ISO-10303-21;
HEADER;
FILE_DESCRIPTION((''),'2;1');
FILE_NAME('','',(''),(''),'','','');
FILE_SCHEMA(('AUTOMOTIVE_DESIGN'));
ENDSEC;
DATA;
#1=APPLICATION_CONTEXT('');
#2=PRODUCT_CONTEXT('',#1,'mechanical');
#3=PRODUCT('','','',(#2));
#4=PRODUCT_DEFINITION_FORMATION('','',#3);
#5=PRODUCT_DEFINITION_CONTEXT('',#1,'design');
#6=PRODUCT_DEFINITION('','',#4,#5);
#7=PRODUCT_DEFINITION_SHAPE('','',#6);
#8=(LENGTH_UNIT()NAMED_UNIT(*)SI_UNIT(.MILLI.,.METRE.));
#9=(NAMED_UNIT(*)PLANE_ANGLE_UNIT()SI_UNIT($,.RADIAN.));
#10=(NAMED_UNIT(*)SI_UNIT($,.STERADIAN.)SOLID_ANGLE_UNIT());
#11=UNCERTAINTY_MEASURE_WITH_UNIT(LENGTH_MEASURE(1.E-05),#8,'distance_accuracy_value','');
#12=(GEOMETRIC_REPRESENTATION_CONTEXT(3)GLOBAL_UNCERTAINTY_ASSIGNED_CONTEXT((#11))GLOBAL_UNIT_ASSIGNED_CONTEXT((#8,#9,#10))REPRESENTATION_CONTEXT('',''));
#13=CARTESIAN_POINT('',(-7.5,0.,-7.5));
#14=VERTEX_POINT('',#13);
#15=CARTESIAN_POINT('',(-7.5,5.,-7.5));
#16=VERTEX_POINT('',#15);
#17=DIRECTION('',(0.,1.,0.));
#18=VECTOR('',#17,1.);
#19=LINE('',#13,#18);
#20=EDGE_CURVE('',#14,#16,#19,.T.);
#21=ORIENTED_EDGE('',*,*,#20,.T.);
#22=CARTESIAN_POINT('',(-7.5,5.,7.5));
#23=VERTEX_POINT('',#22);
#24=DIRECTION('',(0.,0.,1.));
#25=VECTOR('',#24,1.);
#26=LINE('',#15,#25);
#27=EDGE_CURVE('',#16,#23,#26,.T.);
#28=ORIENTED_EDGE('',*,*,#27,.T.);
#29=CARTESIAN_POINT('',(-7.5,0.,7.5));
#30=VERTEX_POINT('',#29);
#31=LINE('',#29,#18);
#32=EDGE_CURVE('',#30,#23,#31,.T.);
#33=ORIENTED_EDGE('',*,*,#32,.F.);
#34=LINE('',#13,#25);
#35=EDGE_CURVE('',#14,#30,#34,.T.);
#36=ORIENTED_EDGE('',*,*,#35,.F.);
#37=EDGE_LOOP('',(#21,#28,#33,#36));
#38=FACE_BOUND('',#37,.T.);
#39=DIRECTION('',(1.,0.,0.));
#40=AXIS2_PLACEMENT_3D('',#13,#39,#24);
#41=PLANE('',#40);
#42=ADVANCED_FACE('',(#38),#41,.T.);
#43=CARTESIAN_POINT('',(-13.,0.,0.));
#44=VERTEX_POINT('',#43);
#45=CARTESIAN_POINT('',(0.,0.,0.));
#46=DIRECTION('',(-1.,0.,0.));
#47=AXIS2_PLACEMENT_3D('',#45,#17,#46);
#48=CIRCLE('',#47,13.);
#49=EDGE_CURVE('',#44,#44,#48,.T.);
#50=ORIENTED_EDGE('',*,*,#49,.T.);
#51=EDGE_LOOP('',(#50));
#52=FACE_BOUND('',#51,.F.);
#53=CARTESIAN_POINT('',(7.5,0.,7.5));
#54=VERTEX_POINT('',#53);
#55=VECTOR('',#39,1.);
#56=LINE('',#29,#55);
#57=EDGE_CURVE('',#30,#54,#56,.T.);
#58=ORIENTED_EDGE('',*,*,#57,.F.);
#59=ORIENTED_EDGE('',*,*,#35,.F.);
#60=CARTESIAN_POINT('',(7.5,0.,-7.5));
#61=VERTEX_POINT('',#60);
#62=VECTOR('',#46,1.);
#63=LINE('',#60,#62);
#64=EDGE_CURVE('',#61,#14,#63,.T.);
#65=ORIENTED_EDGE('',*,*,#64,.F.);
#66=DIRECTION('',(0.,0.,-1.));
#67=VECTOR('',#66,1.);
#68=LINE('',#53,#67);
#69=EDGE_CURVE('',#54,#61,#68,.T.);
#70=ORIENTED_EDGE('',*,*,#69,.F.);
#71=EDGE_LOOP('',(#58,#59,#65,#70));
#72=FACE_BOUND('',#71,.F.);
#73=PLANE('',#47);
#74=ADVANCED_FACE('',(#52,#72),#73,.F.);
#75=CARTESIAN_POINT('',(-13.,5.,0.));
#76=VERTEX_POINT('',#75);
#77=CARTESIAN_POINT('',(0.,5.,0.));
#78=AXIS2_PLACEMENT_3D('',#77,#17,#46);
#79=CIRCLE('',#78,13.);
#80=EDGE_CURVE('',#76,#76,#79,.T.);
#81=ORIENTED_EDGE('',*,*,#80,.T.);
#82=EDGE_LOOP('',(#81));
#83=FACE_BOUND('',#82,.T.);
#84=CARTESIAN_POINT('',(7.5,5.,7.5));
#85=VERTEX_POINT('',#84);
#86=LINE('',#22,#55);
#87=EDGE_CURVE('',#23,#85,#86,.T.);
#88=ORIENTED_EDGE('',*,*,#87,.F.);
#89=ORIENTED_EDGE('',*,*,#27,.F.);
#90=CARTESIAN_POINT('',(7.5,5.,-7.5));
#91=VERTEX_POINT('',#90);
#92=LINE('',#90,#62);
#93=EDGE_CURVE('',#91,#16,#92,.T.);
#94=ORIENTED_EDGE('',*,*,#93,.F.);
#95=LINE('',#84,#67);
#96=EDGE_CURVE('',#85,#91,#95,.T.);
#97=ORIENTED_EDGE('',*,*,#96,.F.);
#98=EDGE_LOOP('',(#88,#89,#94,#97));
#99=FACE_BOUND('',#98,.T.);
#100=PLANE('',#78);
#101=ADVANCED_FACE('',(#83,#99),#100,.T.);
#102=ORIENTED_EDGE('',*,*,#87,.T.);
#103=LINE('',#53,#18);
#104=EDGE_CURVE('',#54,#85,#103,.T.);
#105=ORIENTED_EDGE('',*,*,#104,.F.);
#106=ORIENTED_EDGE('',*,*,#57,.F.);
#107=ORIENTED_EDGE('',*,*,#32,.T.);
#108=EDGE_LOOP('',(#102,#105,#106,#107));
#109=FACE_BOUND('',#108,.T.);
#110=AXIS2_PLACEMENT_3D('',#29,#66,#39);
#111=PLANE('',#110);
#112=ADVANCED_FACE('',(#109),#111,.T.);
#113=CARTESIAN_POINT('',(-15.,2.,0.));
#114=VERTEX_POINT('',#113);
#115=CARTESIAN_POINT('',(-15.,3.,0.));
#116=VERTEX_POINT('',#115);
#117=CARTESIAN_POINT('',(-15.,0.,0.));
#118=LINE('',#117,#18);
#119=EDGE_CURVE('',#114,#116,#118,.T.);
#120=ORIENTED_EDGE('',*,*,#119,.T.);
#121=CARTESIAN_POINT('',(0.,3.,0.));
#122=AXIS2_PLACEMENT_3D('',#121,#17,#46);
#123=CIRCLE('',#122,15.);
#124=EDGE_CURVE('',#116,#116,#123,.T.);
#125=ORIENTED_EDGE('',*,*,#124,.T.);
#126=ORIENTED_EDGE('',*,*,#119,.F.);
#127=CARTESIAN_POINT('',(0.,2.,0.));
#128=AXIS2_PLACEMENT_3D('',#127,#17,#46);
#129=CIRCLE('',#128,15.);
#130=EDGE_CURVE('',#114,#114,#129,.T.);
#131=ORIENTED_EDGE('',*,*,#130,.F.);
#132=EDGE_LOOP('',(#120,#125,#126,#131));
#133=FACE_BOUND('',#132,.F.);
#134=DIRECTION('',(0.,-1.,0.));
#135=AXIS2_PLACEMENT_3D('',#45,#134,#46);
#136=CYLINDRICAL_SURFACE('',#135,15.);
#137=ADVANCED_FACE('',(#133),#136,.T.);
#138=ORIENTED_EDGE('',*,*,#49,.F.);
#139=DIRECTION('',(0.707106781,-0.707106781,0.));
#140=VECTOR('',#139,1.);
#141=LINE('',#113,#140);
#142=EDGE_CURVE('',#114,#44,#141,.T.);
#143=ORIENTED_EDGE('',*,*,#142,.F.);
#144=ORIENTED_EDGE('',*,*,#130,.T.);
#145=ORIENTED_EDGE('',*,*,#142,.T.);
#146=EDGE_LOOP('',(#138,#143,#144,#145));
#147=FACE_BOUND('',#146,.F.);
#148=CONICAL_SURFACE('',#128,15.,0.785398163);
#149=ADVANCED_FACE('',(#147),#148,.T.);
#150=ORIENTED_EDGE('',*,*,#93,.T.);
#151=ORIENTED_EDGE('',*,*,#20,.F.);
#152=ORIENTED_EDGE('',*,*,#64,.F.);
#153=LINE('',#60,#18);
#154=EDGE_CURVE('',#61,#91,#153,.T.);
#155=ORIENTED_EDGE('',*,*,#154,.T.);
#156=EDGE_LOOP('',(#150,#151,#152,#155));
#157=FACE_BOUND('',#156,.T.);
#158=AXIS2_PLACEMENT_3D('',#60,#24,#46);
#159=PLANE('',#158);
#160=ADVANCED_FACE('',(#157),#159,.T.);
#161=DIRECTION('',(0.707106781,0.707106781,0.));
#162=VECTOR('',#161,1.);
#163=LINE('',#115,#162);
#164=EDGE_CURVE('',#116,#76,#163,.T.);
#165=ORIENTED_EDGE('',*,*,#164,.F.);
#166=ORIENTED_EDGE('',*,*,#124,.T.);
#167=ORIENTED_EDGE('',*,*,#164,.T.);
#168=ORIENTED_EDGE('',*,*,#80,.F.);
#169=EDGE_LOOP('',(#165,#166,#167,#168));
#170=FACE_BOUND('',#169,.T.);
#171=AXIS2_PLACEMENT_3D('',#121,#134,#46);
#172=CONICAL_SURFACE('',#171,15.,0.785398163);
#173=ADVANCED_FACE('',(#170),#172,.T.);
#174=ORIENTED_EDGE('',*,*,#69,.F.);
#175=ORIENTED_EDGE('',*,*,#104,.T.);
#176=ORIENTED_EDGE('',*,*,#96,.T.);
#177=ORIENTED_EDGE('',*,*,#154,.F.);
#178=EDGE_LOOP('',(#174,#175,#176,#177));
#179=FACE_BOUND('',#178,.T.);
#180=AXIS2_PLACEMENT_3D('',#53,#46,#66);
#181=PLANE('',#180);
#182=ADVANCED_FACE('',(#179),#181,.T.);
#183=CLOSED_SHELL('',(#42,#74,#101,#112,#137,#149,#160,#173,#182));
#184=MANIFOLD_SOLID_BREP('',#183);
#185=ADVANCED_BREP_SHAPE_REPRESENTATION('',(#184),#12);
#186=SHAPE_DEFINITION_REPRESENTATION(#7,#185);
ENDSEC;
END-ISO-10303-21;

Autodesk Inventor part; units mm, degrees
ref_plane "YZ Plane" through (0, 0, 0) normal (1, 0, 0) x (0, 1, 0)
ref_plane "XZ Plane" through (0, 0, 0) normal (0, 1, 0) x (-1, 0, 0)
ref_plane "XY Plane" through (0, 0, 0) normal (0, 0, 1) x (1, 0, 0)
sketch "Sketch1" plane through (0, 0, 0) normal (0, 1, 0) x (-1, 0, 0)
  line L0 (7.5, 7.5) -> (-7.5, 7.5)
  line L1 (-7.5, 7.5) -> (-7.5, -7.5)
  line L2 (-7.5, -7.5) -> (7.5, -7.5)
  line L3 (7.5, -7.5) -> (7.5, 7.5)
  circle A0 centre (0, 0) radius 15
  dimension "d0" = 15
  dimension "d1" = 15
  dimension "d2" = 30
  dimension "d3" = 7.5
  dimension "d4" = 7.5
extrude "Extrusion1" add sketch "Sketch1" along normal blind 5
chamfer "Chamfer1" distance 2 angle 45 2 edges at (15, 5, 0) (15, 0, 0)
equation "\"d3\" = 0.5 * d0"
equation "\"d4\" = 0.5 * d1"
properties part number "Test Ring"
